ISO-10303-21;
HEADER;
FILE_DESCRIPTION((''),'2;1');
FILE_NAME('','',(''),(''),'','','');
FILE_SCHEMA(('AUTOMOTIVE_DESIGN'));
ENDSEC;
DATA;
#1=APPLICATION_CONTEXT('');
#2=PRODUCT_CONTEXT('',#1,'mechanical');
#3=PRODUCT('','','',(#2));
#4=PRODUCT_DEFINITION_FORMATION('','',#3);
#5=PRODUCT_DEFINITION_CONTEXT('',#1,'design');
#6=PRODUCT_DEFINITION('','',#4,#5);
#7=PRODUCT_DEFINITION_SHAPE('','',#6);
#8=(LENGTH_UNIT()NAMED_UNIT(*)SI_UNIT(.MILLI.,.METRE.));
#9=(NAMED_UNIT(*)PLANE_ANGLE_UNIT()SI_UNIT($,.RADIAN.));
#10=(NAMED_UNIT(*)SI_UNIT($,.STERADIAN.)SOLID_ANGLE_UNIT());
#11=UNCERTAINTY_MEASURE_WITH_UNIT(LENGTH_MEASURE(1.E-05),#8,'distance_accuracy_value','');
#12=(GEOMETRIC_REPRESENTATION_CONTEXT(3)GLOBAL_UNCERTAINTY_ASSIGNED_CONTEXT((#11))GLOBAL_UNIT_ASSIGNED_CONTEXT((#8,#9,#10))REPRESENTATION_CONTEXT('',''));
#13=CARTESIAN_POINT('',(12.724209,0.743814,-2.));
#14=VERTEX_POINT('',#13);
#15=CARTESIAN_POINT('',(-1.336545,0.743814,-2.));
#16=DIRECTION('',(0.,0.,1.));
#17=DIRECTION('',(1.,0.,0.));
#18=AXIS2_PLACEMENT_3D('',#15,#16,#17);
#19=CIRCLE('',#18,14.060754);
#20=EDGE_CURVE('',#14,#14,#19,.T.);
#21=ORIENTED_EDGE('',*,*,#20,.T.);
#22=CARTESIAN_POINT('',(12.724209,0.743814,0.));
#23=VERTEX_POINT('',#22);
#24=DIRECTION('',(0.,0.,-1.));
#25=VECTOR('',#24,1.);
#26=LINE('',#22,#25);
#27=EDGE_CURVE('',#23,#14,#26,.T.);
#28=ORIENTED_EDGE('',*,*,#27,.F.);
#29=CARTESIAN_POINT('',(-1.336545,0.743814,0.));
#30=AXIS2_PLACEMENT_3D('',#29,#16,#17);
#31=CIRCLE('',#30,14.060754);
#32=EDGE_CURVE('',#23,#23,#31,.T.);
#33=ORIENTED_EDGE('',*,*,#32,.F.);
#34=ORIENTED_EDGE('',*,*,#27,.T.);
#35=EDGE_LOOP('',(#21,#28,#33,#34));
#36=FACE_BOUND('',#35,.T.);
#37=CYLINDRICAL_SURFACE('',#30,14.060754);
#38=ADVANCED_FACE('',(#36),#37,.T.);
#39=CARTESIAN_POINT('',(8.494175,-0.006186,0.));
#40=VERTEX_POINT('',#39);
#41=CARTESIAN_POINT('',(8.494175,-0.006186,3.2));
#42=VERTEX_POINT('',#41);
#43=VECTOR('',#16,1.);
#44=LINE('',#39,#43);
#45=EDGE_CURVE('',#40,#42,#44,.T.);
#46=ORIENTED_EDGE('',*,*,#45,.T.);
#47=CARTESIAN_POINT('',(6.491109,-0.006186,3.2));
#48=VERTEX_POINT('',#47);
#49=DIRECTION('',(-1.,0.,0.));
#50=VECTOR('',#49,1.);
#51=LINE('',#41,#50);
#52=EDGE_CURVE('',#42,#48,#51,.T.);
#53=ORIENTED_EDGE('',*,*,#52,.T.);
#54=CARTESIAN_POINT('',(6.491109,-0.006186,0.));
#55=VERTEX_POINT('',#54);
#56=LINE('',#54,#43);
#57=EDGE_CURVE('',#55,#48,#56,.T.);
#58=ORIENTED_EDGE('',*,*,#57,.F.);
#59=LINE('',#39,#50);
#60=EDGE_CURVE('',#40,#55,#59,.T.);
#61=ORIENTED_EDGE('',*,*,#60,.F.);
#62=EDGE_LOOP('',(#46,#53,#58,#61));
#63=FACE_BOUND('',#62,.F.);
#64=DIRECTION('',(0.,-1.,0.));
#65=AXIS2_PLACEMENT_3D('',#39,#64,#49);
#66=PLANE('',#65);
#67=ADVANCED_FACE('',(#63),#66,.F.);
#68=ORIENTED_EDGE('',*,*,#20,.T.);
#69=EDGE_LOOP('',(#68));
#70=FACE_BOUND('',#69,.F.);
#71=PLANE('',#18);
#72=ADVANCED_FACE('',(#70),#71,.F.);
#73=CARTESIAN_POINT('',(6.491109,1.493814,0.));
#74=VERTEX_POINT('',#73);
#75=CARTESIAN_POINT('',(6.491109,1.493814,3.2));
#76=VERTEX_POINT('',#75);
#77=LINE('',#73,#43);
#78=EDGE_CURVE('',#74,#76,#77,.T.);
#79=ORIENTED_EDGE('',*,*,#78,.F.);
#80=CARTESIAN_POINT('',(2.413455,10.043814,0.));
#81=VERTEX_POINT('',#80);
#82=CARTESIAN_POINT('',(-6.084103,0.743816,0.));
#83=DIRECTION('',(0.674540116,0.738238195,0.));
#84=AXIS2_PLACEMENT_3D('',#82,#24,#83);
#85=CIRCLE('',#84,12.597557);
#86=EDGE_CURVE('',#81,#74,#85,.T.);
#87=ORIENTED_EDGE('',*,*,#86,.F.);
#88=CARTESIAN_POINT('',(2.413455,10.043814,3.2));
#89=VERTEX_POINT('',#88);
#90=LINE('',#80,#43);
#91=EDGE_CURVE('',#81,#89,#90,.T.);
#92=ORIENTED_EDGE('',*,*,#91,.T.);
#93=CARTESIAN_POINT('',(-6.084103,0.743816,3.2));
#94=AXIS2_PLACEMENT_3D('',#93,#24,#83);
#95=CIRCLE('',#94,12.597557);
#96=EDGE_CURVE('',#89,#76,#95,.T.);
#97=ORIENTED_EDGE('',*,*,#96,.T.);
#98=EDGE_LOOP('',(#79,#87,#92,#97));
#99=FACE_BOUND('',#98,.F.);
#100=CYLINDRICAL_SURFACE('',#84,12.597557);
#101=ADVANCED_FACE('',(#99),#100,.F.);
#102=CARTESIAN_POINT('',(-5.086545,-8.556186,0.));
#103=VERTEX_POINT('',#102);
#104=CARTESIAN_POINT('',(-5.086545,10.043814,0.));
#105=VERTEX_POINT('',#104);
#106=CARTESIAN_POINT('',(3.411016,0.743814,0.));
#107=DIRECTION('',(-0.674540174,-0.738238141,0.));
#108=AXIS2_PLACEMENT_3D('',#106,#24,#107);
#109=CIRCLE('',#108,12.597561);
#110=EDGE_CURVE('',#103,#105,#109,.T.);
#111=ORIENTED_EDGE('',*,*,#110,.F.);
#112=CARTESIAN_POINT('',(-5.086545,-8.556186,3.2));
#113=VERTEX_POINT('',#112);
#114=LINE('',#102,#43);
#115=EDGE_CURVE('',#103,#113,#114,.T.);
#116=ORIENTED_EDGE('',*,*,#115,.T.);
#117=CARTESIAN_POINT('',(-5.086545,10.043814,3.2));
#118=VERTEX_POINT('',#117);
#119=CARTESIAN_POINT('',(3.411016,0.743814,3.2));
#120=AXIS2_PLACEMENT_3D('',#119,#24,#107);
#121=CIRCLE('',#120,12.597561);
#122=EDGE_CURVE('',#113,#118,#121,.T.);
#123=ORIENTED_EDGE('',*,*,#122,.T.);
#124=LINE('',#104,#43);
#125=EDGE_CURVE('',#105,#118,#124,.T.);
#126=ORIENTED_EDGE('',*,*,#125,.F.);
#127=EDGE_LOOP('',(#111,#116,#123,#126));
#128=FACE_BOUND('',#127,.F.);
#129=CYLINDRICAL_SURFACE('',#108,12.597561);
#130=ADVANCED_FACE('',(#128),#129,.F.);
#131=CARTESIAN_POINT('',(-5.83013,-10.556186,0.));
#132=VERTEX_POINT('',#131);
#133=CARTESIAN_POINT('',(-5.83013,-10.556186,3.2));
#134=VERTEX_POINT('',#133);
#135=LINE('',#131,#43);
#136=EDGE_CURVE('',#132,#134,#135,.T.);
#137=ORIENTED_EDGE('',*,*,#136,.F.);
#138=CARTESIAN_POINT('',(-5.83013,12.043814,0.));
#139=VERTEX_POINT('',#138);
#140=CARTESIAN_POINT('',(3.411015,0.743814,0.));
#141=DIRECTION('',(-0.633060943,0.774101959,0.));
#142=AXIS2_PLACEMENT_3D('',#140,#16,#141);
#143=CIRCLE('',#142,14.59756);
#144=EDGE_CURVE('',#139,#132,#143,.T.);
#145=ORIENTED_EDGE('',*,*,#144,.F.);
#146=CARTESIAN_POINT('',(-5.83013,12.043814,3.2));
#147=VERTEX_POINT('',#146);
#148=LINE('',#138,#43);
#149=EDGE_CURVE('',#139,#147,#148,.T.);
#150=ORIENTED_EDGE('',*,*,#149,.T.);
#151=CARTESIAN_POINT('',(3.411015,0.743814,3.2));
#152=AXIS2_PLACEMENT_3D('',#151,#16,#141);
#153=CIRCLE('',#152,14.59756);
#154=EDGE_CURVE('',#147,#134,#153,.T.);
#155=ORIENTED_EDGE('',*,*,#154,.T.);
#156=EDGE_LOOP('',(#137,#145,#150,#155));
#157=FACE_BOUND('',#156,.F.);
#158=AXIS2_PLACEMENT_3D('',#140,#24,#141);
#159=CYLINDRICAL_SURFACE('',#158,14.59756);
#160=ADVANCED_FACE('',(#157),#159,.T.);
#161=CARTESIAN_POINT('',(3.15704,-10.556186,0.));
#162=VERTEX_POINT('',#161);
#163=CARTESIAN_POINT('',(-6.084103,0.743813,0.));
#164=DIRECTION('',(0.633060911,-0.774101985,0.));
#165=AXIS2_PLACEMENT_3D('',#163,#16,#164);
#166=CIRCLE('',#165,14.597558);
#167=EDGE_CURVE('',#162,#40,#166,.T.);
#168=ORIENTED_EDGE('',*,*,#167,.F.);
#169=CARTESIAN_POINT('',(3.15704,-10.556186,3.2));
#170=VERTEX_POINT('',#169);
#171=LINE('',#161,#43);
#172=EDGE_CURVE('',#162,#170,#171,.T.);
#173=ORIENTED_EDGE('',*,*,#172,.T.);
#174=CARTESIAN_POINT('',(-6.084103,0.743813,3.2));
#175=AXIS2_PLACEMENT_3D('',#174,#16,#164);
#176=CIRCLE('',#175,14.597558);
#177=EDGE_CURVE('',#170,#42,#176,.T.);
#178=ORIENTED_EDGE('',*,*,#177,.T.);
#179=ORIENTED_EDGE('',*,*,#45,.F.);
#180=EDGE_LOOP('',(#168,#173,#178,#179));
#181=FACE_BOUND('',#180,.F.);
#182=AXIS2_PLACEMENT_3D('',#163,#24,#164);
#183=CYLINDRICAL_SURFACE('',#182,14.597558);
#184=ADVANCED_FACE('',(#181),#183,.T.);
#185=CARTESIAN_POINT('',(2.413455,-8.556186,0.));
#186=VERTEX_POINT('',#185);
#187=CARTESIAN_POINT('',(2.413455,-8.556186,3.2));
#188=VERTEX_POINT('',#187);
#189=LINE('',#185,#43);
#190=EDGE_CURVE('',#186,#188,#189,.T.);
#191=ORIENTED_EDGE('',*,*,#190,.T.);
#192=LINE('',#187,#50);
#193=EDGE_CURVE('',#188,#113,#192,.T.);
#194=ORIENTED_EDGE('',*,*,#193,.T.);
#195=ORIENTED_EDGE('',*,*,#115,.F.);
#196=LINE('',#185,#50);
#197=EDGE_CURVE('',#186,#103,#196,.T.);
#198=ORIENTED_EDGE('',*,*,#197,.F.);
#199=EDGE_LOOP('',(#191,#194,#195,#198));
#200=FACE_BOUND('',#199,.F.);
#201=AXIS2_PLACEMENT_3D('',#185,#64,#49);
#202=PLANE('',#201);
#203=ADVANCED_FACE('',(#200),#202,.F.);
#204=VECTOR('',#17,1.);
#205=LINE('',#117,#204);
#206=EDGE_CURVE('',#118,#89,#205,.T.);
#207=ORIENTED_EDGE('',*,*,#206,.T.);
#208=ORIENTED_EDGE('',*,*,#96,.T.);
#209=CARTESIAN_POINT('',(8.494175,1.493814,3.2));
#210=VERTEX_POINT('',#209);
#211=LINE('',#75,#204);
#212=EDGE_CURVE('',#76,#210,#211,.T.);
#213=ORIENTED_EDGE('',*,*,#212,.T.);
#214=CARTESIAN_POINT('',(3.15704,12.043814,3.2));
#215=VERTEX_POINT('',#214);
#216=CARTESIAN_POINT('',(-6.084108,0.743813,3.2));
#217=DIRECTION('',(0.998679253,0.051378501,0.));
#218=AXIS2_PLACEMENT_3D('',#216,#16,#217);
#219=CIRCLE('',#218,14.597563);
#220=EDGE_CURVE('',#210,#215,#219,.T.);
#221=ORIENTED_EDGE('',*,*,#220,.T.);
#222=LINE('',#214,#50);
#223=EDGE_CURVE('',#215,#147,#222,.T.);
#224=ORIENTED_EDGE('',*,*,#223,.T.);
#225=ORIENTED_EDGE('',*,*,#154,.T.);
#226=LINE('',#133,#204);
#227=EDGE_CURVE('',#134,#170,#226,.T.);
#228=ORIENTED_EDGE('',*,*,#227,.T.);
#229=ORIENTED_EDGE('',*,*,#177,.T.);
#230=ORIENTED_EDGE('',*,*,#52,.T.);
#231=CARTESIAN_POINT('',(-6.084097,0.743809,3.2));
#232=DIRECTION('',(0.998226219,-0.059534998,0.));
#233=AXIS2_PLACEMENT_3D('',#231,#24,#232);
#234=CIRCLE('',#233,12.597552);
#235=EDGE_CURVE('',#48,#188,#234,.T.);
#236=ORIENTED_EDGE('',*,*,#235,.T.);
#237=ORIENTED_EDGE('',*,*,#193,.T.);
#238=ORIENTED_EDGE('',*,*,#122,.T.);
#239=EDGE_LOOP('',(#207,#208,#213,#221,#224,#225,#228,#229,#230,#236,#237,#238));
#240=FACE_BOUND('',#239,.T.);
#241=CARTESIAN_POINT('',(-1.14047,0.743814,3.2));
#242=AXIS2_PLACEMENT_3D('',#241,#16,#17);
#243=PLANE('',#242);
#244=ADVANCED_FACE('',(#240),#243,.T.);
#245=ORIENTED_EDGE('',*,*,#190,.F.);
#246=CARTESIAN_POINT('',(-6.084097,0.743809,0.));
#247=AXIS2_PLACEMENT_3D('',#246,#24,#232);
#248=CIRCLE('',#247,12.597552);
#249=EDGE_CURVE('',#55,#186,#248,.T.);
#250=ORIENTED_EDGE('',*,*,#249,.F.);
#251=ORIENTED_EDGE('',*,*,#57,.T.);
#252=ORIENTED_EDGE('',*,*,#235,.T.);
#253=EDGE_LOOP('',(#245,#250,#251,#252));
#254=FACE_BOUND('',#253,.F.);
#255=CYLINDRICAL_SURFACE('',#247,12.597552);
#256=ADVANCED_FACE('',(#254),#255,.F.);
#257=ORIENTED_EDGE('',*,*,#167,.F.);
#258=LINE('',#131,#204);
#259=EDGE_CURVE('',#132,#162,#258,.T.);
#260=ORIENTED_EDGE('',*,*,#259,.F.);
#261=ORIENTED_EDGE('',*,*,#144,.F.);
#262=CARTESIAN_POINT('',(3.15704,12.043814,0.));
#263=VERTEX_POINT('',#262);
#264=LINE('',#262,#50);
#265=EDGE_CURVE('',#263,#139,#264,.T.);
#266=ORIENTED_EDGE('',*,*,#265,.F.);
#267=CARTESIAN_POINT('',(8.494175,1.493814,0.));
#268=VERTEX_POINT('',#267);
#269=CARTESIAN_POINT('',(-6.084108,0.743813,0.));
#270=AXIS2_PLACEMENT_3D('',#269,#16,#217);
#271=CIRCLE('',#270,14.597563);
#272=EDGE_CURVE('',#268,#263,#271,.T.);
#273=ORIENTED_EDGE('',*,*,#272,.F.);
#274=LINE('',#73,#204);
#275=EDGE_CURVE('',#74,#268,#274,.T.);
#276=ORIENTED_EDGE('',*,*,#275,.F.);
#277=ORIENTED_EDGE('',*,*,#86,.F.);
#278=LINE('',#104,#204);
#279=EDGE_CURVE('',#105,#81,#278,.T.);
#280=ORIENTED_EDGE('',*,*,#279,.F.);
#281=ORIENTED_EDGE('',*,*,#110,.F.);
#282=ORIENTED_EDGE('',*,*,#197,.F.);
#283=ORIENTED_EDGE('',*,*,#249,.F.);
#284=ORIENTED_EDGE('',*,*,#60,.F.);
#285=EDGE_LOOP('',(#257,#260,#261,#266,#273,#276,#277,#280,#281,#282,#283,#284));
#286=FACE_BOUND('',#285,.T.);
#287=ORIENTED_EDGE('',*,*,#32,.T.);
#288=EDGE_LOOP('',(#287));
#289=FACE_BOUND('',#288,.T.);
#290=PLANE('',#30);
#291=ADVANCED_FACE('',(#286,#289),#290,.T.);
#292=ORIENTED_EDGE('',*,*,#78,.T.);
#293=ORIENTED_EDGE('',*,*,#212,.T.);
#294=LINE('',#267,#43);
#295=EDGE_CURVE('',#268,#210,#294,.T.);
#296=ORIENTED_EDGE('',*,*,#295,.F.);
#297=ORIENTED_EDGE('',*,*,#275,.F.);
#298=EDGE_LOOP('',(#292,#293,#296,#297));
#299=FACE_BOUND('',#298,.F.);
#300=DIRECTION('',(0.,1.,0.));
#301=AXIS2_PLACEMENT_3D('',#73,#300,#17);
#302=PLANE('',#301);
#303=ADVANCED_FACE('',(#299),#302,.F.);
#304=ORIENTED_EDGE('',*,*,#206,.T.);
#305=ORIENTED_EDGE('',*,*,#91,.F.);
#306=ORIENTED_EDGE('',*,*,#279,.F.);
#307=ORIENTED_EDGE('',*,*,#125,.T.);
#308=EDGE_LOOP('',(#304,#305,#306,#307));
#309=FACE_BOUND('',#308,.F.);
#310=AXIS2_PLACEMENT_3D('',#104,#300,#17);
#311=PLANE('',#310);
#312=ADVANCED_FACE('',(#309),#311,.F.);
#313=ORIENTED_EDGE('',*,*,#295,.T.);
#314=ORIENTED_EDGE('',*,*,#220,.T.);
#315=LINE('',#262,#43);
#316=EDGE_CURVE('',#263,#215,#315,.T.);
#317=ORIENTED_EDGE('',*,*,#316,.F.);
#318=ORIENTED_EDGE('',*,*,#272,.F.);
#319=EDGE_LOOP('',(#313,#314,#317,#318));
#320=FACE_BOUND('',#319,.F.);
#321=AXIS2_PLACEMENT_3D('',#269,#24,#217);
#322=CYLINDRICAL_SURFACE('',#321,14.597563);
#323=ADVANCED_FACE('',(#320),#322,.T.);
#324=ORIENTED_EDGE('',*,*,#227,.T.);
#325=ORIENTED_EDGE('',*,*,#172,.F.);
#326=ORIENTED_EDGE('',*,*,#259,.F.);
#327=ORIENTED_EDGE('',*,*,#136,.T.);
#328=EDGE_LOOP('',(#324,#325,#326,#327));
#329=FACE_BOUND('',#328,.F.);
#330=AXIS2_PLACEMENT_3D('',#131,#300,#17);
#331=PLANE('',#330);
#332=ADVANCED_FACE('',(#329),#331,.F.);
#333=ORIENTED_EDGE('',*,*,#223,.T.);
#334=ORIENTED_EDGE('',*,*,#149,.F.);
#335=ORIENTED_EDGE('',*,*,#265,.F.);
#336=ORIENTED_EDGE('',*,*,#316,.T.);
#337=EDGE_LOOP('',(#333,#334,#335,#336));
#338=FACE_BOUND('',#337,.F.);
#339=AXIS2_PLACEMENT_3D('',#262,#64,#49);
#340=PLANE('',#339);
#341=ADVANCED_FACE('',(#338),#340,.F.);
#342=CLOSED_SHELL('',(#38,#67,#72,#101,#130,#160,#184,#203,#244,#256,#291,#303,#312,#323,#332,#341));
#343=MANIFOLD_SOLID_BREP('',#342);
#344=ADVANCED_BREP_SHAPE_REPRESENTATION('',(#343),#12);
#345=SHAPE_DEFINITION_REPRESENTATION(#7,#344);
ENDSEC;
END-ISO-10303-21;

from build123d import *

# Parameters (mm, degrees)
F1_DEPTH = 3.2
F2_R     = 14.060754
F3_DEPTH = 2


with BuildPart() as f1:
    # F0 (on Top) → F1 (new body)
    with BuildSketch(Plane.XY):
        with BuildLine():
            ThreePointArc((-5.086545, -8.556186), (-9.186545, 0.743814), (-5.086545, 10.043814))
            Line((-5.086545, 10.043814), (2.413455, 10.043814))
            ThreePointArc((2.413455, 10.043814), (5.286519, 6.166676), (6.491109, 1.493814))
            Line((6.491109, 1.493814), (8.494175, 1.493814))
            ThreePointArc((8.494175, 1.493814), (6.941519, 7.333341), (3.15704, 12.043814))
            Line((3.15704, 12.043814), (-5.83013, 12.043814))
            ThreePointArc((-5.83013, 12.043814), (-11.186545, 0.743814), (-5.83013, -10.556186))
            Line((-5.83013, -10.556186), (3.15704, -10.556186))
            ThreePointArc((3.15704, -10.556186), (6.941519, -5.845714), (8.494175, -0.006186))
            Line((8.494175, -0.006186), (6.491109, -0.006186))
            ThreePointArc((6.491109, -0.006186), (5.286519, -4.679049), (2.413455, -8.556186))
            Line((2.413455, -8.556186), (-5.086545, -8.556186))
        make_face()
    extrude(amount=F1_DEPTH)

    # F2 (on Top) → F3 (join)
    with BuildSketch(Plane.XY):
        with Locations((-1.336545, 0.743814)):
            Circle(F2_R)
    extrude(amount=-F3_DEPTH)


solid = f1.part
